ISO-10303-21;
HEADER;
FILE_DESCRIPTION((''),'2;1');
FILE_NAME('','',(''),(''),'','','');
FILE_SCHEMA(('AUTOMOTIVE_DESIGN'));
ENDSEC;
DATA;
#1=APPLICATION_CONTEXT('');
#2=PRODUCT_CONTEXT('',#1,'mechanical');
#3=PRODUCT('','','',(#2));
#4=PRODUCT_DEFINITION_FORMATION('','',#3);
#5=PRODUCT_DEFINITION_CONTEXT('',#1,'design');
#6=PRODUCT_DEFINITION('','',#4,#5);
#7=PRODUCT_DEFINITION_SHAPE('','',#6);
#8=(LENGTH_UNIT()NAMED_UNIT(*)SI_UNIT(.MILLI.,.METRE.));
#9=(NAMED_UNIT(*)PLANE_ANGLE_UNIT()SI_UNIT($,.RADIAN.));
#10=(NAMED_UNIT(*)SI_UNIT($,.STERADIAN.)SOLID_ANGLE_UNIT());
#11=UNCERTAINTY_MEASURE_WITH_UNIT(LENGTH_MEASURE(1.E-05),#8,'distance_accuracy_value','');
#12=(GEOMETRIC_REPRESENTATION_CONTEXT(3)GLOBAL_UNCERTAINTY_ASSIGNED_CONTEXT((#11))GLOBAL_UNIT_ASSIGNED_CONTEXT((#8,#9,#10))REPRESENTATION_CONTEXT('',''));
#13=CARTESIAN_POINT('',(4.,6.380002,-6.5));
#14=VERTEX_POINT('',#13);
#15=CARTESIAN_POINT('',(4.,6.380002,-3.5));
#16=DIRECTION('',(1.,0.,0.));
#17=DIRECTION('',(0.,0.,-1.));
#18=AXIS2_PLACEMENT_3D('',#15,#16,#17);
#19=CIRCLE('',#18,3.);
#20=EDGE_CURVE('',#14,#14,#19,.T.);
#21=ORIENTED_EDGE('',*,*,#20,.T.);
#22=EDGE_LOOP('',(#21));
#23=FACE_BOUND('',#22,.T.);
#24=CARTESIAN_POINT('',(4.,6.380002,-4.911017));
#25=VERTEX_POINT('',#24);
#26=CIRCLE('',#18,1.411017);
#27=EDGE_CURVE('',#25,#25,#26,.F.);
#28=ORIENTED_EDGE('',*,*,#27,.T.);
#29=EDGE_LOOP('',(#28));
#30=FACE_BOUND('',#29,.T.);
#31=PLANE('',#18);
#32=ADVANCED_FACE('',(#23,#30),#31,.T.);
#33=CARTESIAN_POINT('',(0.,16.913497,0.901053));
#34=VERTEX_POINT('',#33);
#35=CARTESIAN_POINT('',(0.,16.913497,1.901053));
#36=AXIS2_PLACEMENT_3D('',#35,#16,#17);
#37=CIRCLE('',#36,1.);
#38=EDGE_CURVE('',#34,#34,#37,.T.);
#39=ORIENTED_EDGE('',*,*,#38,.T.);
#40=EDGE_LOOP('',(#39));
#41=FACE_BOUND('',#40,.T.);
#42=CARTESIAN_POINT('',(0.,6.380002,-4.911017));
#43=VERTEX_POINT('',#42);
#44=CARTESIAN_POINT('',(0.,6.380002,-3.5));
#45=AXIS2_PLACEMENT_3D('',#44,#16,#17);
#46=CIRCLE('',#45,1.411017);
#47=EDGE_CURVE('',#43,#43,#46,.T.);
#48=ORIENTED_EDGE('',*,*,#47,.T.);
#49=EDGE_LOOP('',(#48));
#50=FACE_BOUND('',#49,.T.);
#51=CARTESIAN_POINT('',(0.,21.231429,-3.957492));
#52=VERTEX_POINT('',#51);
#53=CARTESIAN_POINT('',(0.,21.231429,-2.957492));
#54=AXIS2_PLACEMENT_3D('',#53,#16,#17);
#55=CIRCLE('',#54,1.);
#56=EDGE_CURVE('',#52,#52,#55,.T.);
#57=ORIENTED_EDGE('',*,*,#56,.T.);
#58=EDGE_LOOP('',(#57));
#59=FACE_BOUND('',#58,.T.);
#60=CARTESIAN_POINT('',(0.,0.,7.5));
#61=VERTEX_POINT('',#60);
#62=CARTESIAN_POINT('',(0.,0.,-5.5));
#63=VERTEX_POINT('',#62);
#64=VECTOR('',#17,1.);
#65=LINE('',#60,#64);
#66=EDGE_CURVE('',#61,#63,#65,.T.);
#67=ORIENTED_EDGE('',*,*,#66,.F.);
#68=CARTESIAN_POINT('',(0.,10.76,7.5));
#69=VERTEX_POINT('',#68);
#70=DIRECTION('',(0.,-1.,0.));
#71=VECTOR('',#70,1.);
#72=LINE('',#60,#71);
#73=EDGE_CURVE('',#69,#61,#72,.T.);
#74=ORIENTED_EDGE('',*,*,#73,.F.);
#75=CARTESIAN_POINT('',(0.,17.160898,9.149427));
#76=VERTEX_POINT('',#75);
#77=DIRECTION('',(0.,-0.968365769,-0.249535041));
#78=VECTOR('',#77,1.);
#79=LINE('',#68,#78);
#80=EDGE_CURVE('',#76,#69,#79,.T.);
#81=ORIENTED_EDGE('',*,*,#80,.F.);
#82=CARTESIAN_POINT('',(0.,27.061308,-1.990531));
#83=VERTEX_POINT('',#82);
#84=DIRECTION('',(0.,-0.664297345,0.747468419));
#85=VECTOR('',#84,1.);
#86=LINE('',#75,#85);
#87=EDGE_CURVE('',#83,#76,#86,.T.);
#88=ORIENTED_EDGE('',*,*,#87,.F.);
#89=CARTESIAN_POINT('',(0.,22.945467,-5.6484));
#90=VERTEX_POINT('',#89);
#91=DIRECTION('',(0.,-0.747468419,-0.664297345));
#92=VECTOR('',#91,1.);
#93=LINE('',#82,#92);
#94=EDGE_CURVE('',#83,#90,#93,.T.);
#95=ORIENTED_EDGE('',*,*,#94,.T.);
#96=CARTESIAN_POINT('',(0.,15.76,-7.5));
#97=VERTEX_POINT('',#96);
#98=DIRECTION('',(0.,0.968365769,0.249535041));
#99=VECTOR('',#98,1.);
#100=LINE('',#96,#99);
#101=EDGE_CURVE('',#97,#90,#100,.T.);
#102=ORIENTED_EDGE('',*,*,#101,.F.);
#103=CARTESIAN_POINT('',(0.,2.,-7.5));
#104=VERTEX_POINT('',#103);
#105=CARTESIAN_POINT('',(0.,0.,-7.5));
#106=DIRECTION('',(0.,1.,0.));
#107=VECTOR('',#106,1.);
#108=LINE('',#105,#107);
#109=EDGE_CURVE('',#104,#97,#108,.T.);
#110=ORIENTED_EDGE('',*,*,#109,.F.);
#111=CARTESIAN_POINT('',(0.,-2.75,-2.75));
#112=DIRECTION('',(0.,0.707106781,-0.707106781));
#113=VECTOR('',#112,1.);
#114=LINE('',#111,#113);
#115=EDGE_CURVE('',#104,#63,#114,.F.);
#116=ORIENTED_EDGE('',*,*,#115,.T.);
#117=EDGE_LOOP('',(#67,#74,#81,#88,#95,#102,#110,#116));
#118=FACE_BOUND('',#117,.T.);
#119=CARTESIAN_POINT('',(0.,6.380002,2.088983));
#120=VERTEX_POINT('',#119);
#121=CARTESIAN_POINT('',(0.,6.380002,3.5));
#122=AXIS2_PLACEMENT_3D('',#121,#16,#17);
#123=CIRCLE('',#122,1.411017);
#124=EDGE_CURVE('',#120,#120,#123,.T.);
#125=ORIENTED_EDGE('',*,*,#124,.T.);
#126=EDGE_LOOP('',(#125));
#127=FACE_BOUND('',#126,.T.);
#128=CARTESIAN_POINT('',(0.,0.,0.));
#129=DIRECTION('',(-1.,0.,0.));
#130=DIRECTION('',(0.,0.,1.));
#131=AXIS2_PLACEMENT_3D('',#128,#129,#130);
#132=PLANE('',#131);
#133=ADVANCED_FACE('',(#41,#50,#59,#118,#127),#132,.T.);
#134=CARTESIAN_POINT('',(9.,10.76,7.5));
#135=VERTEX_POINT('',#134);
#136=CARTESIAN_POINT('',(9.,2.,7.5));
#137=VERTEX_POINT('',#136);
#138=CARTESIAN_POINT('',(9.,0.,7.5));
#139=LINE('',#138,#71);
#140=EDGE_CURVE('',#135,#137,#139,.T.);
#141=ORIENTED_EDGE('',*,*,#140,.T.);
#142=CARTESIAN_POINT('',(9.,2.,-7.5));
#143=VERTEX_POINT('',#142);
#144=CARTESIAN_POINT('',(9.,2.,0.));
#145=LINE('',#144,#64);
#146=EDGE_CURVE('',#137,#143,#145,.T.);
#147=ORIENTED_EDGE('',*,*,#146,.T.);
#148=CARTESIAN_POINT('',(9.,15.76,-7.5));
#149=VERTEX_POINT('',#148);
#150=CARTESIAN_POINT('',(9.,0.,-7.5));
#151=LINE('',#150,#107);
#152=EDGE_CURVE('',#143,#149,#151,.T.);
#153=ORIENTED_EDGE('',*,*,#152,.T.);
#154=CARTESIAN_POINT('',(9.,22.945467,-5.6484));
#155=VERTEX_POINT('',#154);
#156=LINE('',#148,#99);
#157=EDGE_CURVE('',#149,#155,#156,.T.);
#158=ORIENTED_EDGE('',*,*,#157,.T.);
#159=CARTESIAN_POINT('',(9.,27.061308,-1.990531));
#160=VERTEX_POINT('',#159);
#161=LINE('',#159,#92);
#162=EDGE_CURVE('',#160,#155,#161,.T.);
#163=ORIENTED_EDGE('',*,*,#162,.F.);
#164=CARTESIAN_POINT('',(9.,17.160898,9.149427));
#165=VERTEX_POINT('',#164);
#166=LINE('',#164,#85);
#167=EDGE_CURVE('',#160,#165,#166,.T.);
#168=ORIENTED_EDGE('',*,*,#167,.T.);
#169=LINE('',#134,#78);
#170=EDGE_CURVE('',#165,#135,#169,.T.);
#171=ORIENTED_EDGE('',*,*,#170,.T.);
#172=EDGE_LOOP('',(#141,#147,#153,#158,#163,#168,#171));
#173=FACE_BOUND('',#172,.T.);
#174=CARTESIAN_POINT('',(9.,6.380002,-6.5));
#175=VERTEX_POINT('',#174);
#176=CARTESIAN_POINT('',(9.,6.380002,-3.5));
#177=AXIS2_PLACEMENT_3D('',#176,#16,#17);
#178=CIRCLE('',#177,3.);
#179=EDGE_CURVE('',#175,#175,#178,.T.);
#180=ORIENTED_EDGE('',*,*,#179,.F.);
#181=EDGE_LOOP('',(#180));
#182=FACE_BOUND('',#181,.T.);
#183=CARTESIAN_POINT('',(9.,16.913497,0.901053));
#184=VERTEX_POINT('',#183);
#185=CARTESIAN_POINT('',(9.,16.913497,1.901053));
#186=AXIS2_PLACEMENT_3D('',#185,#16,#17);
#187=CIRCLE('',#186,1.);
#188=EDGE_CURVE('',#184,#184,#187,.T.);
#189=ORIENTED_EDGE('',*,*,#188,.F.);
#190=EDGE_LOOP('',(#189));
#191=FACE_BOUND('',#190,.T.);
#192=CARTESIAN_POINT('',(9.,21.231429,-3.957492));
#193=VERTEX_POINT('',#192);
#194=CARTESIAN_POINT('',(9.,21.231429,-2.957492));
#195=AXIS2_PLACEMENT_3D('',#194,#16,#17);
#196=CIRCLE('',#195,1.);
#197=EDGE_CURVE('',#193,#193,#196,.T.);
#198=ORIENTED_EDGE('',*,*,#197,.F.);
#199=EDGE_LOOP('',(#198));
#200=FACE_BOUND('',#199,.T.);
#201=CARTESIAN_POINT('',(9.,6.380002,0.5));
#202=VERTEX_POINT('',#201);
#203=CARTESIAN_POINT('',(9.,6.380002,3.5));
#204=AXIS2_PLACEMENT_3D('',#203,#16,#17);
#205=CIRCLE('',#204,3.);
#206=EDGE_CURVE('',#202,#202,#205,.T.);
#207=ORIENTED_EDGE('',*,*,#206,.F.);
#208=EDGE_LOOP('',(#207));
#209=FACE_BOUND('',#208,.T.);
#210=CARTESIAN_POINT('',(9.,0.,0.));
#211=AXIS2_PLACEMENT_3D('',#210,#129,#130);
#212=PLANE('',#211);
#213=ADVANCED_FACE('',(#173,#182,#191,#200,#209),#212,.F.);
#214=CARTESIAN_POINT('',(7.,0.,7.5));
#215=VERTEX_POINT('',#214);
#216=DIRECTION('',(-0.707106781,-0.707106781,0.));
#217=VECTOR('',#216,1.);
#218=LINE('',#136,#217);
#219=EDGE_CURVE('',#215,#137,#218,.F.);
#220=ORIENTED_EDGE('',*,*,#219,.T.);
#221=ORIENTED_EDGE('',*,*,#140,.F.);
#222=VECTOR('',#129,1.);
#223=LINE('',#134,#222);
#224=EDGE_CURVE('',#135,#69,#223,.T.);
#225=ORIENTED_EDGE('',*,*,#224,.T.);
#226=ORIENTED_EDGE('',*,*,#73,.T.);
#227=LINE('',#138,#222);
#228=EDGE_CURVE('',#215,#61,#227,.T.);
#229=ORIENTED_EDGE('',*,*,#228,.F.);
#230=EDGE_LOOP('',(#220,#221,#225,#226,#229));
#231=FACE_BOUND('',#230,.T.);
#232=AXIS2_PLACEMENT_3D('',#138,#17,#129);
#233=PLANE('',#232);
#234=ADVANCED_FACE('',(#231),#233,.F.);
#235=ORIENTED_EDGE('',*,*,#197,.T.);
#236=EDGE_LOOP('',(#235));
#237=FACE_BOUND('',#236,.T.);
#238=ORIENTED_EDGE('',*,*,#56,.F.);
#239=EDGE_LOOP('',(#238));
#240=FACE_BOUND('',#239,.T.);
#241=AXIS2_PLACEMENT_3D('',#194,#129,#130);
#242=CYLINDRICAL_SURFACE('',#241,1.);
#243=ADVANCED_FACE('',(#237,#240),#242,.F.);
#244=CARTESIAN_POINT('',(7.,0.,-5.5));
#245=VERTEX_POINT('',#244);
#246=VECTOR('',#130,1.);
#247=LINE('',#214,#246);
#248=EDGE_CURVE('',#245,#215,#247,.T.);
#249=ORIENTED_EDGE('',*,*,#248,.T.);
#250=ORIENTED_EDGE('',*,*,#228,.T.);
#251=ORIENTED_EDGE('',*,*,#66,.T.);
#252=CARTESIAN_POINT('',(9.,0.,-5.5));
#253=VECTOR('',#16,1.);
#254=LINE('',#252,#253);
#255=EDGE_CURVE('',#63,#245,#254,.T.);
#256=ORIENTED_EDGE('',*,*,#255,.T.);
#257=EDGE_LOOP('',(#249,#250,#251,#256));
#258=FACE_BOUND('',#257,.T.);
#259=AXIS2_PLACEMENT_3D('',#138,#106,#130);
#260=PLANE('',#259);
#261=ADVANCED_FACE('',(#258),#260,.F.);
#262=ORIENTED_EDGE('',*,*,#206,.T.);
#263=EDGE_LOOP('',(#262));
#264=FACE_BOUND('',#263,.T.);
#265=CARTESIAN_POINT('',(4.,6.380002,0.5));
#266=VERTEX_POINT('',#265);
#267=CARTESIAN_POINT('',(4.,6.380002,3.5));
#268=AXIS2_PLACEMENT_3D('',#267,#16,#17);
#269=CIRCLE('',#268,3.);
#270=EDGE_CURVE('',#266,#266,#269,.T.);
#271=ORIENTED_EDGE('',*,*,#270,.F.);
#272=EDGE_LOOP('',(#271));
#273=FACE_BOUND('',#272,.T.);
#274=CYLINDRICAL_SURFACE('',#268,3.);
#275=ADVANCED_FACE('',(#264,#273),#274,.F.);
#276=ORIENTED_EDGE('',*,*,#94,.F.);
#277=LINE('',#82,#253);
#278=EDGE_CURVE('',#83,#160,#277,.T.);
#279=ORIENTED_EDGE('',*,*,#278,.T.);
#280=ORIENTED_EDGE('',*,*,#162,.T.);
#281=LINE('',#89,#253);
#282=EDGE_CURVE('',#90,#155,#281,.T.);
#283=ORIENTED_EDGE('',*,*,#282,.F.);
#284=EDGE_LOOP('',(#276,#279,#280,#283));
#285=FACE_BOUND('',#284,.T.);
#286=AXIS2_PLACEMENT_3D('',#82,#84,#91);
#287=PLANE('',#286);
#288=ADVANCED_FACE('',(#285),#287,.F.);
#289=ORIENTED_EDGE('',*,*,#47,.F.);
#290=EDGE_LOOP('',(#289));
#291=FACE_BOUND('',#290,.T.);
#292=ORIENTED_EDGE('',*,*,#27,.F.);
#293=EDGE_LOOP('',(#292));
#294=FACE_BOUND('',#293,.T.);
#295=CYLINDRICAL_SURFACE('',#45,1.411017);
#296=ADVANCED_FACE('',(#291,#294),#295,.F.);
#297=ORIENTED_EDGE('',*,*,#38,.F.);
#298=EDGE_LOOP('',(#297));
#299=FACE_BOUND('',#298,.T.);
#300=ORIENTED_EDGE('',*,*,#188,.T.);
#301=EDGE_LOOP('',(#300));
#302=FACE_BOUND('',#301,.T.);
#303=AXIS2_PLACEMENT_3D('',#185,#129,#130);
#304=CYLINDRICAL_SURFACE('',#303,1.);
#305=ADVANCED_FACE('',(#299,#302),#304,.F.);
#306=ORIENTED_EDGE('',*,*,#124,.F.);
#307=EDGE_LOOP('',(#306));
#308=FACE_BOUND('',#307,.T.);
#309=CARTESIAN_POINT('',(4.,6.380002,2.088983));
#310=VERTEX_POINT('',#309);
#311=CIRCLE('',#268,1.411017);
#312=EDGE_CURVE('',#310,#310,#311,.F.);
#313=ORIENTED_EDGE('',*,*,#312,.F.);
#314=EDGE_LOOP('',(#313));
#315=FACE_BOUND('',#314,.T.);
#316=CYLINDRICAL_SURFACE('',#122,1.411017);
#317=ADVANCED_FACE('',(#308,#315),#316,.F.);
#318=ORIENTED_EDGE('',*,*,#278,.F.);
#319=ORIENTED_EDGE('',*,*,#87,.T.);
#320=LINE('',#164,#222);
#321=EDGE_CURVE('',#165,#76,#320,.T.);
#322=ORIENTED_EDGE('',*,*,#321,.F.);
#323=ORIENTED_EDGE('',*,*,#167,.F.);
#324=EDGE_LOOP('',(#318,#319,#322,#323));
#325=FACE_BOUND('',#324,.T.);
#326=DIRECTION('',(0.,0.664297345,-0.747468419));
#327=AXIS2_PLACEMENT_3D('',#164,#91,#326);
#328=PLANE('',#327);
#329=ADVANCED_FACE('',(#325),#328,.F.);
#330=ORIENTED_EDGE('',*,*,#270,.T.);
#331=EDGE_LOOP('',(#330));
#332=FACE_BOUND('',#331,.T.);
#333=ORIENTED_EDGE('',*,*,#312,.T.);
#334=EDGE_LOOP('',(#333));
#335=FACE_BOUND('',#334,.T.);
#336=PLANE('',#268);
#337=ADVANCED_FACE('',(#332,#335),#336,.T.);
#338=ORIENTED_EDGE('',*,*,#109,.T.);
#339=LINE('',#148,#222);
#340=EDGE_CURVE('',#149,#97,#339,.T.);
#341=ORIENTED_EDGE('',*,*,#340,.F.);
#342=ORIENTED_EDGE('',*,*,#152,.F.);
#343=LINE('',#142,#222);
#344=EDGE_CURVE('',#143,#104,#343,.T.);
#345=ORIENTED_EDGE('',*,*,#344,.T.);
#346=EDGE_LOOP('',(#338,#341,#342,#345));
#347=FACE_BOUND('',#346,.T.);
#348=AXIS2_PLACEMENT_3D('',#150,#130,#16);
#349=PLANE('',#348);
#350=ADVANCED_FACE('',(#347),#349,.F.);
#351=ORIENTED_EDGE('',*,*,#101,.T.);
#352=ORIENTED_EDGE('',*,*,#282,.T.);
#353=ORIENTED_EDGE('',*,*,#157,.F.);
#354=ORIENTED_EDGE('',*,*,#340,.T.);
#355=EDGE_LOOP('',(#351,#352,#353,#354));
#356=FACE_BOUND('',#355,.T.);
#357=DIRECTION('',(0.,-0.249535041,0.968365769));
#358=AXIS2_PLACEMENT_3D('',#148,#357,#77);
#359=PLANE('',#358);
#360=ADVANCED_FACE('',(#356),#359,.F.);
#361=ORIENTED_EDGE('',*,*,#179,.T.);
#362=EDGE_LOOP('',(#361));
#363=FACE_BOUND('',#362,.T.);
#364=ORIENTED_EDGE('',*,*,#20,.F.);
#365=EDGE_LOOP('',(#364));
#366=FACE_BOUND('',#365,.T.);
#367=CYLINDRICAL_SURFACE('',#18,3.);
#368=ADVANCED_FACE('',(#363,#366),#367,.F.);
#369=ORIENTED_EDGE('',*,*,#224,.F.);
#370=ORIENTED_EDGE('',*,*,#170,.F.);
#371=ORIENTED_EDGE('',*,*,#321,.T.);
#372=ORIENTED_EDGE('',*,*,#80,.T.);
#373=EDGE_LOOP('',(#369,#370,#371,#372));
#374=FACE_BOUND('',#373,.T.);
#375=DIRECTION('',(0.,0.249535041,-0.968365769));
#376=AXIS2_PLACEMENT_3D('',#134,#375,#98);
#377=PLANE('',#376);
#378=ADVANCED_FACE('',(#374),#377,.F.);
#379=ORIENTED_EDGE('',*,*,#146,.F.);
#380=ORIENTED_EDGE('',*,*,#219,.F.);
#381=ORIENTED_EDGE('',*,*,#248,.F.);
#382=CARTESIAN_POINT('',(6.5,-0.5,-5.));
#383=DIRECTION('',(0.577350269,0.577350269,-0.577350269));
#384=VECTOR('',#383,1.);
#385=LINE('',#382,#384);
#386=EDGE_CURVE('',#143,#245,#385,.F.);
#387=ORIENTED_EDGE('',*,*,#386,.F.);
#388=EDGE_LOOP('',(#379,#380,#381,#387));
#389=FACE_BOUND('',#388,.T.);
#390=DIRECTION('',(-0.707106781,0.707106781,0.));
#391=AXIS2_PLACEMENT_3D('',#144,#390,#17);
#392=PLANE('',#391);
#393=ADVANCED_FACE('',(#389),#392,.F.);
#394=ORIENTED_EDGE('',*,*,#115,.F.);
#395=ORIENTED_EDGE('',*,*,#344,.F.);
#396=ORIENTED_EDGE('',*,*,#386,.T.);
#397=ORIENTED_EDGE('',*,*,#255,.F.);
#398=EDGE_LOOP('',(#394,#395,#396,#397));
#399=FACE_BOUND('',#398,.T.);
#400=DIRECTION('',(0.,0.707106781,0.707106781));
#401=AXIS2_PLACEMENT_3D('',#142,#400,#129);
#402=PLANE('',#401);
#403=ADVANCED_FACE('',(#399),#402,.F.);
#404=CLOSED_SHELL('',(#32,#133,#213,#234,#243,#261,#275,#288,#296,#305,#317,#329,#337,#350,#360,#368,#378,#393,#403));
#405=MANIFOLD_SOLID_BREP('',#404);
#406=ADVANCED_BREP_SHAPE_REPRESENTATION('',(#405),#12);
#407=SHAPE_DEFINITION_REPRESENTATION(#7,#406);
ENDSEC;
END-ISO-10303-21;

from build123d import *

# Parameters (mm, degrees)
SKETCH1_R           = 1
BOSS_EXTRUDE1_DEPTH = 9
CHAMFER1_SIZE       = 2
SKETCH5_R           = 1.411016717
CUT_EXTRUDE4_DEPTH  = 32.657609573
CUT_EXTRUDE5_DEPTH  = 32.657609573
SKETCH7_R           = 3
CUT_EXTRUDE6_DEPTH  = 5


with BuildPart() as part:
    # Sketch1 → Boss-Extrude1 (new body)
    with BuildSketch(Plane(origin=(0, 0, 0), x_dir=(0, 0, -1), z_dir=(1, 0, 0))):
        Polygon((-7.5, 0), (7.5, 0), (7.5, 15.76), (4.103828097, 28.939458123), (-9.149426619, 17.160897736), (-7.5, 10.76), align=None)
        with Locations((2.957491833, 21.231429279)):
            Circle(SKETCH1_R, mode=Mode.SUBTRACT)
        with Locations((-1.901052893, 16.913496539)):
            Circle(SKETCH1_R, mode=Mode.SUBTRACT)
    extrude(amount=BOSS_EXTRUDE1_DEPTH)

    # Chamfer1
    chamfer1_edges = [part.edges().sort_by_distance(p)[0] for p in [
        (4.5, 0, -7.5),
        (9, 0, 0),
    ]]
    chamfer(chamfer1_edges, length=CHAMFER1_SIZE)

    # Sketch5 → Cut-Extrude4 (cut, through all)
    with BuildSketch(Plane(origin=(9, 0, 0), x_dir=(0, 0, -1), z_dir=(1, 0, 0))):
        with Locations((3.500000028, 6.380001803)):
            Circle(SKETCH5_R)
        with Locations((-3.5, 6.380001848)):
            Circle(SKETCH5_R)
    extrude(amount=-CUT_EXTRUDE4_DEPTH, mode=Mode.SUBTRACT)

    # Sketch6 → Cut-Extrude5 (cut, through all)
    with BuildSketch(Plane(origin=(9, 0, 0), x_dir=(0, 0, -1), z_dir=(1, 0, 0))):
        Polygon((1.990530631, 27.061308011), (5.648400148, 22.945467464), (4.103828097, 28.939458123), align=None)
    extrude(amount=-CUT_EXTRUDE5_DEPTH, mode=Mode.SUBTRACT)

    # Sketch7 → Cut-Extrude6 (cut)
    with BuildSketch(Plane(origin=(9, 0, 0), x_dir=(0, 0, -1), z_dir=(1, 0, 0))):
        with Locations((3.500000028, 6.380001803)):
            Circle(SKETCH7_R)
        with Locations((-3.5, 6.380001848)):
            Circle(SKETCH7_R)
    extrude(amount=-CUT_EXTRUDE6_DEPTH, mode=Mode.SUBTRACT)


solid = part.part
